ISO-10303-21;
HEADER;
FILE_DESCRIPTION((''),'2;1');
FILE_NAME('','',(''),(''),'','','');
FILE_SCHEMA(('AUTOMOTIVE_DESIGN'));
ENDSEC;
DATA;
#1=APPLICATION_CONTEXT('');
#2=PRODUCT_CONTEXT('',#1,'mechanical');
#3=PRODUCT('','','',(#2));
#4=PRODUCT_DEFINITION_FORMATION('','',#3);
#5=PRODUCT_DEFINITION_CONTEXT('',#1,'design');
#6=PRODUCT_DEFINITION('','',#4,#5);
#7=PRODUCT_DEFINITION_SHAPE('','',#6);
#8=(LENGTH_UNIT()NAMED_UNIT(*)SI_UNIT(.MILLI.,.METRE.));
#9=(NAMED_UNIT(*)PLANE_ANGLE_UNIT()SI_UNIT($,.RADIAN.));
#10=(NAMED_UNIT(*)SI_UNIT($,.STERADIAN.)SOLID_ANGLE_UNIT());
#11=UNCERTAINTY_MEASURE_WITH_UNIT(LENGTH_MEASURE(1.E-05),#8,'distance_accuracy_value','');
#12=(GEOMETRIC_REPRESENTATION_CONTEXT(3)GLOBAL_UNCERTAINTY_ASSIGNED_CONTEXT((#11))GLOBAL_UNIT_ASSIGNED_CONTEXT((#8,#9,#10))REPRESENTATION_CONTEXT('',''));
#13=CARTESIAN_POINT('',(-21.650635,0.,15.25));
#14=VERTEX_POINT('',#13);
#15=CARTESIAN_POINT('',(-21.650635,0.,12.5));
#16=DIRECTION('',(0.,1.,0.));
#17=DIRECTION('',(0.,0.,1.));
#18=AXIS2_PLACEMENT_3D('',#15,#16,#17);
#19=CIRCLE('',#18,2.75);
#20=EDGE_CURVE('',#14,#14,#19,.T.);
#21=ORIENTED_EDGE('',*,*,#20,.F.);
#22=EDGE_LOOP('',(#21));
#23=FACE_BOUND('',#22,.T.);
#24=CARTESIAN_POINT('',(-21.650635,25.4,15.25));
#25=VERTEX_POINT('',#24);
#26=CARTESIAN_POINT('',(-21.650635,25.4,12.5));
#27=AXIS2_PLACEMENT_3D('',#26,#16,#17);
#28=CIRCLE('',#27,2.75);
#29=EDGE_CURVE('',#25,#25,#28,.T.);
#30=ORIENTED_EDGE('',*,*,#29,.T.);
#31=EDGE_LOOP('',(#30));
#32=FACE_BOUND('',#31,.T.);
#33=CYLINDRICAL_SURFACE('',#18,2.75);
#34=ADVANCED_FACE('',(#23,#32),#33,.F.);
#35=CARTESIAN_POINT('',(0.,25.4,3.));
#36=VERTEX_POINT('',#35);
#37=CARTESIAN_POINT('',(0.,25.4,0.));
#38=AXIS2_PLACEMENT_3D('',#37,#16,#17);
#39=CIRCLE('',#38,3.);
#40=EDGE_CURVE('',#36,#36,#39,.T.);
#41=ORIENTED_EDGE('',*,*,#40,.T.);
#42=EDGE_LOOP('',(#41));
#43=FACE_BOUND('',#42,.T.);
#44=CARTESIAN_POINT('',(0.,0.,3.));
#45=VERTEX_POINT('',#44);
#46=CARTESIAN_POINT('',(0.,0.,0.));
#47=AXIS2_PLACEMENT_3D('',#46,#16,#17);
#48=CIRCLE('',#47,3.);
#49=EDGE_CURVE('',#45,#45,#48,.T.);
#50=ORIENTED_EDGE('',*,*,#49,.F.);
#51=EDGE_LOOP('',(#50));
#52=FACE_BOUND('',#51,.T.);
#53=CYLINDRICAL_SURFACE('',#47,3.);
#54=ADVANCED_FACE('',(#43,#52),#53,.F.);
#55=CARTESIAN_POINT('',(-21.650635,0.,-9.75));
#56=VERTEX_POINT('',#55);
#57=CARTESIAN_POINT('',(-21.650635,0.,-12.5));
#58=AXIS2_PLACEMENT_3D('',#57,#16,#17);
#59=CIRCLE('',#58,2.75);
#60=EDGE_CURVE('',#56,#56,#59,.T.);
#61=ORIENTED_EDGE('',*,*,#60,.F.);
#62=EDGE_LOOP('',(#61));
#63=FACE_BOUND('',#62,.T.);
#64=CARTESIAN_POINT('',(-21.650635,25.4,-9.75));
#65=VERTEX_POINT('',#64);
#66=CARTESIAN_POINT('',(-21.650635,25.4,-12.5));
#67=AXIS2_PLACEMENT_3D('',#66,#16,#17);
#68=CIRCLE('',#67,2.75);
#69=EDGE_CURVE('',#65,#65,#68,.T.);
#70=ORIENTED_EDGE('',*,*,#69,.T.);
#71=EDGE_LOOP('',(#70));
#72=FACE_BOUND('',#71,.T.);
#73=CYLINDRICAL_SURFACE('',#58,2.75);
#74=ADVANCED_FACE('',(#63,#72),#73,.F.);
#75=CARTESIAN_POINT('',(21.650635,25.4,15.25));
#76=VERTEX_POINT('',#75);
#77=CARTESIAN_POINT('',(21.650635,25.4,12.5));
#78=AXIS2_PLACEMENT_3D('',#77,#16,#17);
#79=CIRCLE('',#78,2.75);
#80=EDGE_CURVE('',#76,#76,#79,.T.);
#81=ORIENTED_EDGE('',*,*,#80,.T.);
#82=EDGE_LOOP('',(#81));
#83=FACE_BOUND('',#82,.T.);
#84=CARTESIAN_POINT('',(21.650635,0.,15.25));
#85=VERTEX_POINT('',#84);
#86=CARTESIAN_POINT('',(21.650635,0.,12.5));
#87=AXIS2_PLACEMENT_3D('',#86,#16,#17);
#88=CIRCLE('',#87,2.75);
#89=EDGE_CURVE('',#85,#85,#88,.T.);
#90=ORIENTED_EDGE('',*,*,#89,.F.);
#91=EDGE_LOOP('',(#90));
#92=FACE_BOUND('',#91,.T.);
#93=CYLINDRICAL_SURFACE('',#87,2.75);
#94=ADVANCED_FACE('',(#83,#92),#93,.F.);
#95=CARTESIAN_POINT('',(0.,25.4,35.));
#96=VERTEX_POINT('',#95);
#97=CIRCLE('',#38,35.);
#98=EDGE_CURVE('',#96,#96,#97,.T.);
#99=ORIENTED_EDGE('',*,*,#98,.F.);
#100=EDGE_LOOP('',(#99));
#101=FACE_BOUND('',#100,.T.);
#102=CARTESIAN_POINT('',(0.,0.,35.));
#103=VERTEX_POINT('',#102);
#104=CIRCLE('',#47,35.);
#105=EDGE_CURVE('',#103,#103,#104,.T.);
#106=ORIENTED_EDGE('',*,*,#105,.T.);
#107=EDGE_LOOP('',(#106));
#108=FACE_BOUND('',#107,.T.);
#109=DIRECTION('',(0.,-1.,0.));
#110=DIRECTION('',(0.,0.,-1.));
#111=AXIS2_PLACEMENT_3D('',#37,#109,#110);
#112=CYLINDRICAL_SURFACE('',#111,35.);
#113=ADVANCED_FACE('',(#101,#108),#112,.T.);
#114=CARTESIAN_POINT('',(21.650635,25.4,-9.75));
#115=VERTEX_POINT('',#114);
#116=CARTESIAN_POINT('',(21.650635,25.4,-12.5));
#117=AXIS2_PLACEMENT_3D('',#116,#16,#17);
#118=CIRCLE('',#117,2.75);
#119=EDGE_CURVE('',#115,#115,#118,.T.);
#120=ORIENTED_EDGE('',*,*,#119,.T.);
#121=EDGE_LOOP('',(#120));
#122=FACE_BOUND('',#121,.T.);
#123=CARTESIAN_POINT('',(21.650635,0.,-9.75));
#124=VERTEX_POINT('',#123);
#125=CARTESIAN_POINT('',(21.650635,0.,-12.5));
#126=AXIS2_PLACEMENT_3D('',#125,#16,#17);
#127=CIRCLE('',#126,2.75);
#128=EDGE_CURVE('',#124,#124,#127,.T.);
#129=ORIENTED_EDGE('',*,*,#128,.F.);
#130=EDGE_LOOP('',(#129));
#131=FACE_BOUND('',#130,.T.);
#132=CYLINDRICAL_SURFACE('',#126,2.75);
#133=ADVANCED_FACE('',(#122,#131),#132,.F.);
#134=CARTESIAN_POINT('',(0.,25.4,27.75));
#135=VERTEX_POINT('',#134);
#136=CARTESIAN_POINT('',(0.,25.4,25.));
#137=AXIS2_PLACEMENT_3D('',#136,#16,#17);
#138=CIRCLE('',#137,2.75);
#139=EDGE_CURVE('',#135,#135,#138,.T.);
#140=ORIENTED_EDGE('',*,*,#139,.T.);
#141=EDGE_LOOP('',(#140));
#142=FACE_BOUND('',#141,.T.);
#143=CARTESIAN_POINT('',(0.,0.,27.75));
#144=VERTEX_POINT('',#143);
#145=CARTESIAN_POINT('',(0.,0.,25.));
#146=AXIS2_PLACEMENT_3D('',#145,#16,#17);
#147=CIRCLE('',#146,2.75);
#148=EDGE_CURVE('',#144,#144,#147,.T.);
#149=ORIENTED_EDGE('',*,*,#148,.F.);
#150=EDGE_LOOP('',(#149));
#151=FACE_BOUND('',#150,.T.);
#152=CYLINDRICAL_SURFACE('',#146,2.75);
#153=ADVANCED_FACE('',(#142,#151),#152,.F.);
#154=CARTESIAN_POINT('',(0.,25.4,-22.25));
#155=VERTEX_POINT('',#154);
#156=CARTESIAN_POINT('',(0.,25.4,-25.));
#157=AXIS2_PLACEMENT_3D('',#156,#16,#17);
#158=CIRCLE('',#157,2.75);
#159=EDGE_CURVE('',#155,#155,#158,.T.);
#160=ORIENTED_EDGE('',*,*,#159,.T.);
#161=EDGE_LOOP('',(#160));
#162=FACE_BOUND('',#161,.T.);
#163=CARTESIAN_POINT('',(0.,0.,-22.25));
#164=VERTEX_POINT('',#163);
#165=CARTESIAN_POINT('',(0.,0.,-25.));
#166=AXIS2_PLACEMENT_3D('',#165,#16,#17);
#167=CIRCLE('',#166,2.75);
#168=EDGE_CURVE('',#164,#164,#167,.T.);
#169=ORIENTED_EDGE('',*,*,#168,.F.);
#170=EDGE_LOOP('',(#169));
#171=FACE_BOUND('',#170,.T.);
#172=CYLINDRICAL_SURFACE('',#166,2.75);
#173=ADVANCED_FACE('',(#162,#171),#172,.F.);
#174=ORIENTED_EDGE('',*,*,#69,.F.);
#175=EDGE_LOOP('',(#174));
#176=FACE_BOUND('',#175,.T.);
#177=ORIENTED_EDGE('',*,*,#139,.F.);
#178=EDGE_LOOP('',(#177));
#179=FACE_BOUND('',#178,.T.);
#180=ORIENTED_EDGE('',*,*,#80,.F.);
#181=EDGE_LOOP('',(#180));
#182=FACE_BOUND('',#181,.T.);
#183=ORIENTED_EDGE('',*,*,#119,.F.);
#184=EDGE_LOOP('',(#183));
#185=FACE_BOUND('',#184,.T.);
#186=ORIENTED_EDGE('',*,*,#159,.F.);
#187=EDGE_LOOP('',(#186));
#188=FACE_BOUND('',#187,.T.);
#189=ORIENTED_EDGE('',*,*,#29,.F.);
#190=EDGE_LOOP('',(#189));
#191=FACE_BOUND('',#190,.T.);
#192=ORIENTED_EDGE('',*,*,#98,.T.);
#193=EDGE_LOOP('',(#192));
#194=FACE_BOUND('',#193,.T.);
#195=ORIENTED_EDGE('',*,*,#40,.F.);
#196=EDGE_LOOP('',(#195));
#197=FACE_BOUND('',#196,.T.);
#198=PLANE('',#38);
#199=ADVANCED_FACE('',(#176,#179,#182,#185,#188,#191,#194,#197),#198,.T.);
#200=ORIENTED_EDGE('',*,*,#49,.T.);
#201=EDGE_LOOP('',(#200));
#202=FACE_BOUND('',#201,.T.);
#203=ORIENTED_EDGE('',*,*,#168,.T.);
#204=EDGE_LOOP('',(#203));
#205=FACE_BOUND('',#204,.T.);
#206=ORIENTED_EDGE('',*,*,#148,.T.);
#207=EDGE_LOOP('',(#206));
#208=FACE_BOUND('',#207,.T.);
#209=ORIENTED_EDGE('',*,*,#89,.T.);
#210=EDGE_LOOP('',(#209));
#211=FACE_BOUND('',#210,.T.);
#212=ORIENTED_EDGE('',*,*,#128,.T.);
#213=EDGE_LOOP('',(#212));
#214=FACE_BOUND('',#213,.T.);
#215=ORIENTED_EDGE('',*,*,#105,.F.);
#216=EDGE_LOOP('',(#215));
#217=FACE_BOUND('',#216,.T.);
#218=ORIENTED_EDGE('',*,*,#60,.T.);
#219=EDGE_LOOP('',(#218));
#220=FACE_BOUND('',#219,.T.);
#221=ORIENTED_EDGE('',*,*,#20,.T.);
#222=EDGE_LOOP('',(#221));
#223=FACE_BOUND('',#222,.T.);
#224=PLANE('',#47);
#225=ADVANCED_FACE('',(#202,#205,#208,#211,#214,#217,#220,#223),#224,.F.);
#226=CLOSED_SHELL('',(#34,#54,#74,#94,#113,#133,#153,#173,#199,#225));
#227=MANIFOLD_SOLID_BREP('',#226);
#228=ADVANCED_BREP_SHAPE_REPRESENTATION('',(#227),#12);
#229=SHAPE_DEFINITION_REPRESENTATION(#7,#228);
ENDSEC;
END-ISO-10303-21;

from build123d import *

# Parameters (mm, degrees)
SKETCH2_R           = 35
BOSS_EXTRUDE1_DEPTH = 25.4
CUT_EXTRUDE1_DEPTH  = 56.634162167
SKETCH5_R           = 2.75
CUT_EXTRUDE3_DEPTH  = 56.634162167


with BuildPart() as part:
    # Sketch2 → Boss-Extrude1 (new body)
    with BuildSketch(Plane(origin=(0, 0, 0), x_dir=(1, 0, 0), z_dir=(0, 1, 0))):
        with Locations(Location((0, 0, 0), (0, 0, 270))):
            Circle(SKETCH2_R)
    extrude(amount=BOSS_EXTRUDE1_DEPTH)

    # Sketch3 → Cut-Extrude1 (cut, through all)
    with BuildSketch(Plane(origin=(0, 25.4, 0), x_dir=(1, 0, 0), z_dir=(0, 1, 0))):
        with BuildLine():
            ThreePointArc((-1.658312395, 2.5), (0, -3), (1.658312395, 2.5))
            ThreePointArc((1.658312395, 2.5), (0, 3), (-1.658312395, 2.5))
        make_face()
    extrude(amount=-CUT_EXTRUDE1_DEPTH, mode=Mode.SUBTRACT)

    # Sketch5 → Cut-Extrude3 (cut, through all)
    with BuildSketch(Plane(origin=(0, 25.4, 0), x_dir=(1, 0, 0), z_dir=(0, 1, 0))):
        with Locations(Location((0, 25, 0), (0, 0, 270))):
            Circle(SKETCH5_R)
        with Locations(Location((21.650635095, 12.5, 0), (0, 0, 270))):
            Circle(SKETCH5_R)
        with Locations(Location((21.650635095, -12.5, 0), (0, 0, 270))):
            Circle(SKETCH5_R)
        with Locations(Location((0, -25, 0), (0, 0, 270))):
            Circle(SKETCH5_R)
        with Locations(Location((-21.650635095, -12.5, 0), (0, 0, 270))):
            Circle(SKETCH5_R)
        with Locations(Location((-21.650635095, 12.5, 0), (0, 0, 270))):
            Circle(SKETCH5_R)
    extrude(amount=-CUT_EXTRUDE3_DEPTH, mode=Mode.SUBTRACT)


solid = part.part
